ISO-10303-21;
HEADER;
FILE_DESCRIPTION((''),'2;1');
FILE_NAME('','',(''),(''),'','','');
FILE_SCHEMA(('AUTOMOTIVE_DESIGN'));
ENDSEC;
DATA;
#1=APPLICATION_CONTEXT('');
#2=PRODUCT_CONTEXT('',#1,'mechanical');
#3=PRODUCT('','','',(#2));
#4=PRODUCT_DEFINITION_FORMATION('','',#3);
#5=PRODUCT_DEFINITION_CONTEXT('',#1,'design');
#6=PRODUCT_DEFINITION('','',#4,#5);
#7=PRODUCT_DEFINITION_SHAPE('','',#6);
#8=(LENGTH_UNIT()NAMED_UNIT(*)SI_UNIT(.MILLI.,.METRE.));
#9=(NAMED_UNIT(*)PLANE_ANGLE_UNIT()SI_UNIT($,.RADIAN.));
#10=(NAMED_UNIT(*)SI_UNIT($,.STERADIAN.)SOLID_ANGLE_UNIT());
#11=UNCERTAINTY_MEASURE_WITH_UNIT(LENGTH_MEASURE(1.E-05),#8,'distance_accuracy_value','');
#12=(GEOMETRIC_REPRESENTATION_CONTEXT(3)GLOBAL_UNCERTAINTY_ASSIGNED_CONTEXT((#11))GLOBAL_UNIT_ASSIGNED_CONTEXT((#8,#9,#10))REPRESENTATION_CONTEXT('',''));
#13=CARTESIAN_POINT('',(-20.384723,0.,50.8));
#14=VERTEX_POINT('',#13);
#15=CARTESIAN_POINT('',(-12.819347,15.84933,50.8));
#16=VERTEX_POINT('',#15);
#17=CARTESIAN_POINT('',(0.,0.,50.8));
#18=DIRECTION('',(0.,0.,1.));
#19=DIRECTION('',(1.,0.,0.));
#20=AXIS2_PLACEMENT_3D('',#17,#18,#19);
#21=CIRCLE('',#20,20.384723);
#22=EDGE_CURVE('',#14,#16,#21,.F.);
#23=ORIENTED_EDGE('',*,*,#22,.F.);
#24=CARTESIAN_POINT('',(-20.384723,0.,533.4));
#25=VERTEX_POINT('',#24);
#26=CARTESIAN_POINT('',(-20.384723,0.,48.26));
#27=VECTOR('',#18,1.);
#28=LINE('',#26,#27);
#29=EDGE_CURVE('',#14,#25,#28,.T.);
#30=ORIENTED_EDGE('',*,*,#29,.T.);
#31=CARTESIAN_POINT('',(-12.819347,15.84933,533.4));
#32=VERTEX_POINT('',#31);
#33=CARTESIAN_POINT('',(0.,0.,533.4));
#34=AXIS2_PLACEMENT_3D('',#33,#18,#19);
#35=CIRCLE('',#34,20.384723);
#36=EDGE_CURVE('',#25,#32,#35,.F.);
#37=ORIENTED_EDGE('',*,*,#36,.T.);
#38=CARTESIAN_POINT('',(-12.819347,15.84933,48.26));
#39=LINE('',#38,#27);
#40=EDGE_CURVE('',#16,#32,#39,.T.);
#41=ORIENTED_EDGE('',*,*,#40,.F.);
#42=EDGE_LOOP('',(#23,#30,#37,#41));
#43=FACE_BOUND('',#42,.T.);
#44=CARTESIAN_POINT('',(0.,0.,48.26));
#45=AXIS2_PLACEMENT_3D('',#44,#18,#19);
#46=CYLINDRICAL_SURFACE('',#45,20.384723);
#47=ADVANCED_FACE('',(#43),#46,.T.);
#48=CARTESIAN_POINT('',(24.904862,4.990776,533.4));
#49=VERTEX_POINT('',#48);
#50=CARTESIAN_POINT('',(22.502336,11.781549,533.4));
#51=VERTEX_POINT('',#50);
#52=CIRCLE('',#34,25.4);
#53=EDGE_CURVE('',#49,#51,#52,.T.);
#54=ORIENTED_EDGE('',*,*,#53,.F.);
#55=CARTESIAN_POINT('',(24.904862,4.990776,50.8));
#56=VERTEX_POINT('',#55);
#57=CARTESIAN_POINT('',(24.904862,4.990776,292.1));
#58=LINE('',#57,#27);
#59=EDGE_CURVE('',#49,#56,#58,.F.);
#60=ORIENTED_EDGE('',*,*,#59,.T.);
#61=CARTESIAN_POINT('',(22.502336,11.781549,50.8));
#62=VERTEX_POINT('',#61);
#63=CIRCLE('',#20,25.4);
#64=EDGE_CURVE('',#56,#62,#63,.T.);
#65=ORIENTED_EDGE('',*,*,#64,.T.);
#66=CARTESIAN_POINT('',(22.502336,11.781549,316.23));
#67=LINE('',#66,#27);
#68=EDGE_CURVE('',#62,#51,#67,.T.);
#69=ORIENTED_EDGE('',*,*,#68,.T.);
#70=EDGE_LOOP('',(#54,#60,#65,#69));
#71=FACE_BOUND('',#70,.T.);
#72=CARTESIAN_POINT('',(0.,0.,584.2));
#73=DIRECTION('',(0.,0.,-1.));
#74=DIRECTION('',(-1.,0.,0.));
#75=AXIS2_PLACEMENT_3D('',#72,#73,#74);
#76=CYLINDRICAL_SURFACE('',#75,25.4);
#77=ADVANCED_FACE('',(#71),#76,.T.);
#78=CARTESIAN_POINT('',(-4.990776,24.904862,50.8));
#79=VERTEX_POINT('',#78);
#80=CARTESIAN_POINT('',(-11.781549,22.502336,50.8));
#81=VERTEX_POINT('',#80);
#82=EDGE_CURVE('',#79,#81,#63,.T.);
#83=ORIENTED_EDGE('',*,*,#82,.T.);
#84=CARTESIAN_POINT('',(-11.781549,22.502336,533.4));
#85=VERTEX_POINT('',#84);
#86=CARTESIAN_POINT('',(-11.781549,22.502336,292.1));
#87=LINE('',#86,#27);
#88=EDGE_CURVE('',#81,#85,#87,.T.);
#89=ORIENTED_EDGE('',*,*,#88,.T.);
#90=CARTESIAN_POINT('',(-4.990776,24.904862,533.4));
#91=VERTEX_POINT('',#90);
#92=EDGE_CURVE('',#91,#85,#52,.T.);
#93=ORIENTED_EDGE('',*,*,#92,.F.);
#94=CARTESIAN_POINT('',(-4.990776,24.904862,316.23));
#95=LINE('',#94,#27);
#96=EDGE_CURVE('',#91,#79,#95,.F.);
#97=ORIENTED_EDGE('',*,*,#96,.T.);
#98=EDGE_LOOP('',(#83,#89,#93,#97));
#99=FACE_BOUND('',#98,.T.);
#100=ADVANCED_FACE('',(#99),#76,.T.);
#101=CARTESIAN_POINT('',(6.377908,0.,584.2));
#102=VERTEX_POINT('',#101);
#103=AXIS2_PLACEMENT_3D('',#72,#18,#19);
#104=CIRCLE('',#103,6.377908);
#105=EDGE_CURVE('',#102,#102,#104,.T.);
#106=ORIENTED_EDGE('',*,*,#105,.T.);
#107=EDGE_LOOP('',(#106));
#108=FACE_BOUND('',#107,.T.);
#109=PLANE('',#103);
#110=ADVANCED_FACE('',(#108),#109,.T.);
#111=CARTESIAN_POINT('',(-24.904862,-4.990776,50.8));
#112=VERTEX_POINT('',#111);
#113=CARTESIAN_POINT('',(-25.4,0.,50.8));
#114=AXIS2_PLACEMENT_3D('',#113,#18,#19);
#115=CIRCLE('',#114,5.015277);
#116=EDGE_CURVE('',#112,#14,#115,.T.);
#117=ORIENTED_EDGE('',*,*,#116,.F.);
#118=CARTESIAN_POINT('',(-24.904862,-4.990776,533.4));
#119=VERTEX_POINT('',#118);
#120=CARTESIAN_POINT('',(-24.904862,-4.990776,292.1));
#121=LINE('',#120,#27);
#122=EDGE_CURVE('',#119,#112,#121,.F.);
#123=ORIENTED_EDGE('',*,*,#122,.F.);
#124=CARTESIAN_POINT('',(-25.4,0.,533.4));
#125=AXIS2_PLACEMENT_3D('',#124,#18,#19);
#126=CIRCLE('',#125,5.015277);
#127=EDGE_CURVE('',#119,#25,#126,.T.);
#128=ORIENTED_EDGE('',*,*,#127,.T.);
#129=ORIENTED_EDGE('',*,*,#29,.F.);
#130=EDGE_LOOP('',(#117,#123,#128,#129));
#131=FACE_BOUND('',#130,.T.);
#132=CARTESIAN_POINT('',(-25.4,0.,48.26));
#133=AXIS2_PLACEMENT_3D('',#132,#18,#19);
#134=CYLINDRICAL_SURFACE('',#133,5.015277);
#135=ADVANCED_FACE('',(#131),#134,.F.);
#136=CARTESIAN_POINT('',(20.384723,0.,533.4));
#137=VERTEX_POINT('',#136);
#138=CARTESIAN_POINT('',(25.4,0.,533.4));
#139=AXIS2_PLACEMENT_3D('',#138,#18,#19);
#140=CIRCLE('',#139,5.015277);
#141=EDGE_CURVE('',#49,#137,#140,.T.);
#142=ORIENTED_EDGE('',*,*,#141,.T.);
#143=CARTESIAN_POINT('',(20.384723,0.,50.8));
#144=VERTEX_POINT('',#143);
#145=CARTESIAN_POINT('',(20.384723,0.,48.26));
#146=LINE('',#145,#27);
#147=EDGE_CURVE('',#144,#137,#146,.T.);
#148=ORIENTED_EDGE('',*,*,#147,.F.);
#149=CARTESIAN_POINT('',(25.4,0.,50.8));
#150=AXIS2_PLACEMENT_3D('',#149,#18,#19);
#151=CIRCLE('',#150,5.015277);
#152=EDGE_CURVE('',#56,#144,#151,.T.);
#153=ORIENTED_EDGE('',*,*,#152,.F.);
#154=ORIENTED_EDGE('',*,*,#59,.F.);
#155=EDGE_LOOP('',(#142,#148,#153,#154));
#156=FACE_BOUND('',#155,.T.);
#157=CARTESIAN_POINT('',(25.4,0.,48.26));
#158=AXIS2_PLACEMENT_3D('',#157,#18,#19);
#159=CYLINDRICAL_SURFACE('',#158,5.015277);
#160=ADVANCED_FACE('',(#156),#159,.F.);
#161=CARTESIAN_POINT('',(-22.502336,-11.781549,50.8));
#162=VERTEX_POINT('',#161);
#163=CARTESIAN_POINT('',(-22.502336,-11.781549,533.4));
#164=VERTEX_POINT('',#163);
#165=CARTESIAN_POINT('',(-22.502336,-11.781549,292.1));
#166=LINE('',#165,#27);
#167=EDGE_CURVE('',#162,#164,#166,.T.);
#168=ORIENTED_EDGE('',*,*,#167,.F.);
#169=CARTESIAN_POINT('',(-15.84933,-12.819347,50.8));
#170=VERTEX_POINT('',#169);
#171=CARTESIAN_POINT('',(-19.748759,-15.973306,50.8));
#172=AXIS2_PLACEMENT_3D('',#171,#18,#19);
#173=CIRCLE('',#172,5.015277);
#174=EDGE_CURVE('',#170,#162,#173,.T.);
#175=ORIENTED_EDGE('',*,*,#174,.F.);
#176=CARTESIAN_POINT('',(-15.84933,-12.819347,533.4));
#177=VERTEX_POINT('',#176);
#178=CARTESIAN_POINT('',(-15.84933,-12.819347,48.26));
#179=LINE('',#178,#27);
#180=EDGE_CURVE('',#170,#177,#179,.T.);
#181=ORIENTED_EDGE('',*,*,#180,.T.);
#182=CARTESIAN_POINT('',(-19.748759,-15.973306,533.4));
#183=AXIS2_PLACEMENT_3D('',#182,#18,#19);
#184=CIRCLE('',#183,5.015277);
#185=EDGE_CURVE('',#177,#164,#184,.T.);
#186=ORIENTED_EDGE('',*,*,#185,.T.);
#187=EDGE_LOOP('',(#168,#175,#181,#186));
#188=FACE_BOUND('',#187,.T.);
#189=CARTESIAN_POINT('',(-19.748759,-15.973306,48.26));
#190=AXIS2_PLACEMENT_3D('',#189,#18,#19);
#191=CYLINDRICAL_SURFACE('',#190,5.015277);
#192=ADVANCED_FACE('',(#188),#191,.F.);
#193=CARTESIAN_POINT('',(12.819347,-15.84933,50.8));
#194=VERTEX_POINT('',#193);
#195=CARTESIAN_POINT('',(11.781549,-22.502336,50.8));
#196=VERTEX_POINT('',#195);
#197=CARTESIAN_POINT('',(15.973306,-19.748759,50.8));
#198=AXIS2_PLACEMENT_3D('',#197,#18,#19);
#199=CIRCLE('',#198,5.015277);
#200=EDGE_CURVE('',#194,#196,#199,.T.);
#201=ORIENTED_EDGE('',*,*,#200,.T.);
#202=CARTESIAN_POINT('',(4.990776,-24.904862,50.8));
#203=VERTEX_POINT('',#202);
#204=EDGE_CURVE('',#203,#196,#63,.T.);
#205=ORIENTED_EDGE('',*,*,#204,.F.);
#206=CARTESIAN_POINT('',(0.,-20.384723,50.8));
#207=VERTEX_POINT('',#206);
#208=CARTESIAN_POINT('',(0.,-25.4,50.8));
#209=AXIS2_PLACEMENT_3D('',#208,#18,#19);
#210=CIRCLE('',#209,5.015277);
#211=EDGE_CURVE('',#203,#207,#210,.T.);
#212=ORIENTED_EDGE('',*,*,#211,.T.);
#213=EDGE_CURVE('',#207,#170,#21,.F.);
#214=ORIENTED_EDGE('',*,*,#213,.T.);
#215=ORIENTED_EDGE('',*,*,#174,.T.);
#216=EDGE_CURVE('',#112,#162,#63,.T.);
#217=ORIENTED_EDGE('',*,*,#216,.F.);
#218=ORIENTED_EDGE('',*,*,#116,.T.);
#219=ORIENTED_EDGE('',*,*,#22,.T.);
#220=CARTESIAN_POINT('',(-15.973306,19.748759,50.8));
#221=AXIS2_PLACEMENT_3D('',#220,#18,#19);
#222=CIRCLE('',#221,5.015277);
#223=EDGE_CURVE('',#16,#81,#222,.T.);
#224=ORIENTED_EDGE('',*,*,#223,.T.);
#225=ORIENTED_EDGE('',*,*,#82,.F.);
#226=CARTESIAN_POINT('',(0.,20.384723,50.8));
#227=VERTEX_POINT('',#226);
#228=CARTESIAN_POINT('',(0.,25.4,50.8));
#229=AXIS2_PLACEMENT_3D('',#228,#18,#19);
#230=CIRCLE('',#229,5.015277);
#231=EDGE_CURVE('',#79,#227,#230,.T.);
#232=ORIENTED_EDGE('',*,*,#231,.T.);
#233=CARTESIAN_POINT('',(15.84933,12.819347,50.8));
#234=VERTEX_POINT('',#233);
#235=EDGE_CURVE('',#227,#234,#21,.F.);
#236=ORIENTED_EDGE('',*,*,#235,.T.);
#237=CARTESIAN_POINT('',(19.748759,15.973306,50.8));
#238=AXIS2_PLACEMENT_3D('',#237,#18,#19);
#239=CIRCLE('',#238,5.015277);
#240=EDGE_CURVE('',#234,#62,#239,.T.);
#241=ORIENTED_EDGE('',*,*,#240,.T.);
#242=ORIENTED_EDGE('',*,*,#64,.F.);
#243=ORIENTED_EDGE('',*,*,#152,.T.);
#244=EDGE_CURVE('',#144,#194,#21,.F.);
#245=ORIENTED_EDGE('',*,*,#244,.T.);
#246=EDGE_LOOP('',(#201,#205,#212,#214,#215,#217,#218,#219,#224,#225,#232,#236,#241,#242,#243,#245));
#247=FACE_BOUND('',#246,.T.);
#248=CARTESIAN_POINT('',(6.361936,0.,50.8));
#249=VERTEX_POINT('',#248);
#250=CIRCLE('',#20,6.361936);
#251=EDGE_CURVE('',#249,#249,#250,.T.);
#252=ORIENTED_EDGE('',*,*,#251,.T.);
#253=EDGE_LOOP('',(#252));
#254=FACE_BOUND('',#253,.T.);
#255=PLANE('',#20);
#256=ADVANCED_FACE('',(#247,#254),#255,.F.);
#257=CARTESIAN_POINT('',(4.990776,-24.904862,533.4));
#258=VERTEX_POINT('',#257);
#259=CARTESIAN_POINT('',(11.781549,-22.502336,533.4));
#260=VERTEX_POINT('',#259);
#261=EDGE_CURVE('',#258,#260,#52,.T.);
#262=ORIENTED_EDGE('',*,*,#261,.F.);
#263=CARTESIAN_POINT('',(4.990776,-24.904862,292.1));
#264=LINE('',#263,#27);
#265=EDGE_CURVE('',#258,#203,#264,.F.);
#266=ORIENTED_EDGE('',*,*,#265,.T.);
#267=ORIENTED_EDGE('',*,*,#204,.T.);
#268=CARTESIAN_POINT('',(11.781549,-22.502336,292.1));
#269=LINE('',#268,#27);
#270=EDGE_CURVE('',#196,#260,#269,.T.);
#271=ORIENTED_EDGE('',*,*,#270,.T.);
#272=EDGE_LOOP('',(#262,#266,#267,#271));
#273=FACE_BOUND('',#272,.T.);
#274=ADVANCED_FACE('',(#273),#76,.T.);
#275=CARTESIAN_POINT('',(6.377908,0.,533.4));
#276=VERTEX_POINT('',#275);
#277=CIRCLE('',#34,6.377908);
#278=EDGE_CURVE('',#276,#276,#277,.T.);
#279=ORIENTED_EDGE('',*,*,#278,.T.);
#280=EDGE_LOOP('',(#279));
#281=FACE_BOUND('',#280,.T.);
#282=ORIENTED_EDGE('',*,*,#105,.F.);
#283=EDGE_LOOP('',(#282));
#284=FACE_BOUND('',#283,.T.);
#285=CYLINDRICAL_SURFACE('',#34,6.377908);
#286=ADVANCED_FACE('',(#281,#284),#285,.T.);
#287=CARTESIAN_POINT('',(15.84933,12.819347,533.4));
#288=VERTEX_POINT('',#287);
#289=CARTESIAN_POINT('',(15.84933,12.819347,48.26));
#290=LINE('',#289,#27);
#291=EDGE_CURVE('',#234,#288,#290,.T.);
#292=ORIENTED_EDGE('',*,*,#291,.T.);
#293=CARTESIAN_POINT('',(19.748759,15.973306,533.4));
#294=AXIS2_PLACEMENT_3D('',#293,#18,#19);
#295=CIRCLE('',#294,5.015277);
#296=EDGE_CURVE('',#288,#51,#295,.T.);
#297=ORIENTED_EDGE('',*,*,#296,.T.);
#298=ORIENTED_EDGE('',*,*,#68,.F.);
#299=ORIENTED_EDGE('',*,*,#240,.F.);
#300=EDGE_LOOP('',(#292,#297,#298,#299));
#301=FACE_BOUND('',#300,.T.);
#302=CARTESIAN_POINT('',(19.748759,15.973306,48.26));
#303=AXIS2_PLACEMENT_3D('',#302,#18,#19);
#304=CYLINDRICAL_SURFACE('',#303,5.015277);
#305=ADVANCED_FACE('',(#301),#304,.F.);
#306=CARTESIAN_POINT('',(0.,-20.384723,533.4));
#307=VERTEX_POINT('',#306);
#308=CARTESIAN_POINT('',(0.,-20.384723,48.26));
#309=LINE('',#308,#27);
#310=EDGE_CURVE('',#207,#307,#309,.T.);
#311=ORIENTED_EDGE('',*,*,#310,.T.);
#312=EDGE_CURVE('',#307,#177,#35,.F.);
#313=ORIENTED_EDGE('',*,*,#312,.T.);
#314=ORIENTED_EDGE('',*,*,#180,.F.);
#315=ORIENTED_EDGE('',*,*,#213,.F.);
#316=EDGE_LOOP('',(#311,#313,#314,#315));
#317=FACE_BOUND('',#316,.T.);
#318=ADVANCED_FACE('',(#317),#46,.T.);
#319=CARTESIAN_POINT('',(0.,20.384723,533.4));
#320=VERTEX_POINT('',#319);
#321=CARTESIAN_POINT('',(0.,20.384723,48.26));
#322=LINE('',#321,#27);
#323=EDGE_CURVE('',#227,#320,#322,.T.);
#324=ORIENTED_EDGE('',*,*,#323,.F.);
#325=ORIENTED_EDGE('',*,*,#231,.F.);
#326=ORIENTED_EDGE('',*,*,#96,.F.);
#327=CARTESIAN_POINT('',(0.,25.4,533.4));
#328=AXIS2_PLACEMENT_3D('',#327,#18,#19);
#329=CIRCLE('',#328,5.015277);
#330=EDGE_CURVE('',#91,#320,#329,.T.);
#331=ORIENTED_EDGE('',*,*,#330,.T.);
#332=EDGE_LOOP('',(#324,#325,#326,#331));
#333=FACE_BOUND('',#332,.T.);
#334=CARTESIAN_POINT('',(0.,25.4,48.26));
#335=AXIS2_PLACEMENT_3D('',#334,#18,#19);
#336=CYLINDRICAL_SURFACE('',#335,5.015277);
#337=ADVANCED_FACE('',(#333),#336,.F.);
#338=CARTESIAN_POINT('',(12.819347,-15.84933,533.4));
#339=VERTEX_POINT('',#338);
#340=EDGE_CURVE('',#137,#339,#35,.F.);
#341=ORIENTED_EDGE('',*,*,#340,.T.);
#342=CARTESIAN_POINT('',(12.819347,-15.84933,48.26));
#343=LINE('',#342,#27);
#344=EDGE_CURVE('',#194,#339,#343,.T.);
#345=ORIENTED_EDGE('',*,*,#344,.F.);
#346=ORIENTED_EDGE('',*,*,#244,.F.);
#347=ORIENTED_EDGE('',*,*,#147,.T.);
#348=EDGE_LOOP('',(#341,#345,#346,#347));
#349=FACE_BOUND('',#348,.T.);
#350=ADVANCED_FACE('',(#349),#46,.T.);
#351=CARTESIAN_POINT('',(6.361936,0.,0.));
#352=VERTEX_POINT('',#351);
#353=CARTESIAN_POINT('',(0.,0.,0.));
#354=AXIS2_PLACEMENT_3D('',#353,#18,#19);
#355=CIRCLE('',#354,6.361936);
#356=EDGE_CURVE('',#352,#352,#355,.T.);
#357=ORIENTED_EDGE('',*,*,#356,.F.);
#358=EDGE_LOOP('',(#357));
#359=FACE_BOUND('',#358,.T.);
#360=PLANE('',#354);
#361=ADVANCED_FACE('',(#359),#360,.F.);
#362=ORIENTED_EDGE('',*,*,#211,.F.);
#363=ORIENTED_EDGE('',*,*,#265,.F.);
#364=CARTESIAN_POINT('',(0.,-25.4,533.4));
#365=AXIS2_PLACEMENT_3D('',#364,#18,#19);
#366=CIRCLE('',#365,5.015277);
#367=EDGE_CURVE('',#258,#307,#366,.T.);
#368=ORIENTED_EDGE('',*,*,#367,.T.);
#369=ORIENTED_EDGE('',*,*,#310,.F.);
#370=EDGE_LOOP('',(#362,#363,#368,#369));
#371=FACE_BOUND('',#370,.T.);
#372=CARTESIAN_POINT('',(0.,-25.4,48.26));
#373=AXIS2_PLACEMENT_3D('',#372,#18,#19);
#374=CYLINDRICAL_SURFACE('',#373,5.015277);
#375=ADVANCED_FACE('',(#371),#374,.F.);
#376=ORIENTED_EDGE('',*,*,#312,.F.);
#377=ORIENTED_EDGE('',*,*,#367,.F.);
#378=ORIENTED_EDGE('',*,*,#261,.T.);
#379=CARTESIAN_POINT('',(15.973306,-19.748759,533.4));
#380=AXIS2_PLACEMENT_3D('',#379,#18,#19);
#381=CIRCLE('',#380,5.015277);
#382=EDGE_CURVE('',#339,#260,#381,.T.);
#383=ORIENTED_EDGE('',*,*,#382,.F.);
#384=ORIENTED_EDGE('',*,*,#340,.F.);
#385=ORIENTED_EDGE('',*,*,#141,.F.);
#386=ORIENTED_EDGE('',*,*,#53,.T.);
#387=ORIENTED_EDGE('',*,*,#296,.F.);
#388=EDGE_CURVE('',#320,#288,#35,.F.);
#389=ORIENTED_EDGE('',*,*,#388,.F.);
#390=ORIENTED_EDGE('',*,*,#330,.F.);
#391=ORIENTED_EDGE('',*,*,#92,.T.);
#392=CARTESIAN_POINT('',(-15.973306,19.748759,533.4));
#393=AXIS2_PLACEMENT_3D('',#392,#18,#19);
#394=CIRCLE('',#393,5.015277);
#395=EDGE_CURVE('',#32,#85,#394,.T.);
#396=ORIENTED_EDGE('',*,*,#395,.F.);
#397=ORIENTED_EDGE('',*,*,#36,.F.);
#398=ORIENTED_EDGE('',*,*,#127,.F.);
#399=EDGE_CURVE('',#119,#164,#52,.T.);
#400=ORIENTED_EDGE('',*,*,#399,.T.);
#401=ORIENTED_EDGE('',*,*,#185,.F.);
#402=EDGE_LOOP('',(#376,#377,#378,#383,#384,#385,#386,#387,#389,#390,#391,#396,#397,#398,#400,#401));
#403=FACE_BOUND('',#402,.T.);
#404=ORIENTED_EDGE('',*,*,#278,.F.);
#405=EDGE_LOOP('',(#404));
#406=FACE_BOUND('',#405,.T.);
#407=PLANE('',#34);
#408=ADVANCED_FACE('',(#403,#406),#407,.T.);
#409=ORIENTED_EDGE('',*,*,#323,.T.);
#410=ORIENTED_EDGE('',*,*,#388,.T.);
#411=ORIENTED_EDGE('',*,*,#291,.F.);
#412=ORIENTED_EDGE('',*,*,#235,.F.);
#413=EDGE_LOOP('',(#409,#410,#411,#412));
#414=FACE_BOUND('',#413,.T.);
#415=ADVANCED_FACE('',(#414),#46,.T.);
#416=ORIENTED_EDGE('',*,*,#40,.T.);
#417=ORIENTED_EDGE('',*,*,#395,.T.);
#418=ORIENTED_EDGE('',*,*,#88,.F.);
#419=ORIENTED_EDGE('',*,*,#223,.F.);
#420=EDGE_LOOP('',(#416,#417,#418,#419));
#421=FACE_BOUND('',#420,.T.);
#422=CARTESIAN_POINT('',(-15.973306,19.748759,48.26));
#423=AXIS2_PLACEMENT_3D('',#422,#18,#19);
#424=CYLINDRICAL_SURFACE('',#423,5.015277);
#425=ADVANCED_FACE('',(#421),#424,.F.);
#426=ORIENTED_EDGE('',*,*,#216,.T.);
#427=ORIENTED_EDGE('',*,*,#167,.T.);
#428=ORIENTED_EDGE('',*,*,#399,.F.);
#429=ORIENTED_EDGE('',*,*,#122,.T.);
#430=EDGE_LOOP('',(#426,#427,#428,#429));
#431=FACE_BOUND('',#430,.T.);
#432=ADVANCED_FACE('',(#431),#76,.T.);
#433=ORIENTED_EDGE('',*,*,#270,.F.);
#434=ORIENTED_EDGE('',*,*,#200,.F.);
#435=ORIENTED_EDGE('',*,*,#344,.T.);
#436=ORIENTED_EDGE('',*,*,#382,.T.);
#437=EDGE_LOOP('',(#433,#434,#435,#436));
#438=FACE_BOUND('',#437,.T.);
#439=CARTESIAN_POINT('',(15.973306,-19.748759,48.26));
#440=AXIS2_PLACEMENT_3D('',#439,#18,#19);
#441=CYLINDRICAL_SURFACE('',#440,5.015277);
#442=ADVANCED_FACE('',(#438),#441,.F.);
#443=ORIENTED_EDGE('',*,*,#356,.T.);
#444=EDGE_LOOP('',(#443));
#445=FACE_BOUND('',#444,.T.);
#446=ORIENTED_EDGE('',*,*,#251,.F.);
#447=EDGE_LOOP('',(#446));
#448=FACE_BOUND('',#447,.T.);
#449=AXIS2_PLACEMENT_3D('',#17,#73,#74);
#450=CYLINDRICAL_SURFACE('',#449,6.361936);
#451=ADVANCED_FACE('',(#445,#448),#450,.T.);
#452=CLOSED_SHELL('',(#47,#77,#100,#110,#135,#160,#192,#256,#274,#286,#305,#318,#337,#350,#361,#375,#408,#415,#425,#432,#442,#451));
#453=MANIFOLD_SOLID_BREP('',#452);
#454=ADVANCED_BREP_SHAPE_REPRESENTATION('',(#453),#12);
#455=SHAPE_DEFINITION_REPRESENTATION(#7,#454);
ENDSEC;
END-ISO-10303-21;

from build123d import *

# Parameters (mm, degrees)
SKETCH1_R           = 25.4
BOSS_EXTRUDE1_DEPTH = 584.2
SKETCH2_OUTSIDE_W   = 170.52
SKETCH2_OUTSIDE_H   = 170.52
SKETCH2_OUTSIDE_R   = 6.361935525
CUT_EXTRUDE1_DEPTH  = 50.8
SKETCH5_OUTSIDE_W   = 170.52
SKETCH5_OUTSIDE_H   = 170.52
SKETCH5_OUTSIDE_R   = 6.377907631
CUT_EXTRUDE4_DEPTH  = 50.8
CUT_EXTRUDE5_DEPTH  = 535.94
CIRPATTERN1_COUNT   = 4


with BuildPart() as part:
    # Sketch1 → Boss-Extrude1 (new body)
    with BuildSketch(Plane.XY):
        Circle(SKETCH1_R)
    extrude(amount=BOSS_EXTRUDE1_DEPTH)

    # Sketch2 outside → Cut-Extrude1 (cut)
    with BuildSketch(Plane.XY):
        Rectangle(SKETCH2_OUTSIDE_W, SKETCH2_OUTSIDE_H)
        Circle(SKETCH2_OUTSIDE_R, mode=Mode.SUBTRACT)
    extrude(amount=CUT_EXTRUDE1_DEPTH, mode=Mode.SUBTRACT)

    # Sketch5 outside → Cut-Extrude4 (cut)
    with BuildSketch(Plane.XY.offset(584.2)):
        Rectangle(SKETCH5_OUTSIDE_W, SKETCH5_OUTSIDE_H)
        Circle(SKETCH5_OUTSIDE_R, mode=Mode.SUBTRACT)
    extrude(amount=-CUT_EXTRUDE4_DEPTH, mode=Mode.SUBTRACT)

    # Sketch13 → Cut-Extrude5 (cut)
    with BuildSketch(Plane.XY.offset(584.2)):
        with BuildLine():
            ThreePointArc((23.648188812, 19.127264814), (13.102061479, 27.448589733), (0, 30.415277302))
            ThreePointArc((0, 30.415277302), (-5.015277302, 25.4), (0, 20.384722698))
            ThreePointArc((0, 20.384722698), (8.781175571, 18.396409298), (15.84933014, 12.819346848))
            ThreePointArc((15.84933014, 12.819346848), (22.902718459, 12.073876495), (23.648188812, 19.127264814))
        make_face()
    cut_extrude5 = extrude(amount=-CUT_EXTRUDE5_DEPTH, mode=Mode.SUBTRACT)

    # CirPattern1: Cut-Extrude5 ×4 about axis
    cirpattern1_axis = Axis((0, 0, 533.4), (0, 0, -1))
    for i in range(1, CIRPATTERN1_COUNT):
        add(cut_extrude5.rotate(cirpattern1_axis, i * 360 / CIRPATTERN1_COUNT), mode=Mode.SUBTRACT)


solid = part.part
